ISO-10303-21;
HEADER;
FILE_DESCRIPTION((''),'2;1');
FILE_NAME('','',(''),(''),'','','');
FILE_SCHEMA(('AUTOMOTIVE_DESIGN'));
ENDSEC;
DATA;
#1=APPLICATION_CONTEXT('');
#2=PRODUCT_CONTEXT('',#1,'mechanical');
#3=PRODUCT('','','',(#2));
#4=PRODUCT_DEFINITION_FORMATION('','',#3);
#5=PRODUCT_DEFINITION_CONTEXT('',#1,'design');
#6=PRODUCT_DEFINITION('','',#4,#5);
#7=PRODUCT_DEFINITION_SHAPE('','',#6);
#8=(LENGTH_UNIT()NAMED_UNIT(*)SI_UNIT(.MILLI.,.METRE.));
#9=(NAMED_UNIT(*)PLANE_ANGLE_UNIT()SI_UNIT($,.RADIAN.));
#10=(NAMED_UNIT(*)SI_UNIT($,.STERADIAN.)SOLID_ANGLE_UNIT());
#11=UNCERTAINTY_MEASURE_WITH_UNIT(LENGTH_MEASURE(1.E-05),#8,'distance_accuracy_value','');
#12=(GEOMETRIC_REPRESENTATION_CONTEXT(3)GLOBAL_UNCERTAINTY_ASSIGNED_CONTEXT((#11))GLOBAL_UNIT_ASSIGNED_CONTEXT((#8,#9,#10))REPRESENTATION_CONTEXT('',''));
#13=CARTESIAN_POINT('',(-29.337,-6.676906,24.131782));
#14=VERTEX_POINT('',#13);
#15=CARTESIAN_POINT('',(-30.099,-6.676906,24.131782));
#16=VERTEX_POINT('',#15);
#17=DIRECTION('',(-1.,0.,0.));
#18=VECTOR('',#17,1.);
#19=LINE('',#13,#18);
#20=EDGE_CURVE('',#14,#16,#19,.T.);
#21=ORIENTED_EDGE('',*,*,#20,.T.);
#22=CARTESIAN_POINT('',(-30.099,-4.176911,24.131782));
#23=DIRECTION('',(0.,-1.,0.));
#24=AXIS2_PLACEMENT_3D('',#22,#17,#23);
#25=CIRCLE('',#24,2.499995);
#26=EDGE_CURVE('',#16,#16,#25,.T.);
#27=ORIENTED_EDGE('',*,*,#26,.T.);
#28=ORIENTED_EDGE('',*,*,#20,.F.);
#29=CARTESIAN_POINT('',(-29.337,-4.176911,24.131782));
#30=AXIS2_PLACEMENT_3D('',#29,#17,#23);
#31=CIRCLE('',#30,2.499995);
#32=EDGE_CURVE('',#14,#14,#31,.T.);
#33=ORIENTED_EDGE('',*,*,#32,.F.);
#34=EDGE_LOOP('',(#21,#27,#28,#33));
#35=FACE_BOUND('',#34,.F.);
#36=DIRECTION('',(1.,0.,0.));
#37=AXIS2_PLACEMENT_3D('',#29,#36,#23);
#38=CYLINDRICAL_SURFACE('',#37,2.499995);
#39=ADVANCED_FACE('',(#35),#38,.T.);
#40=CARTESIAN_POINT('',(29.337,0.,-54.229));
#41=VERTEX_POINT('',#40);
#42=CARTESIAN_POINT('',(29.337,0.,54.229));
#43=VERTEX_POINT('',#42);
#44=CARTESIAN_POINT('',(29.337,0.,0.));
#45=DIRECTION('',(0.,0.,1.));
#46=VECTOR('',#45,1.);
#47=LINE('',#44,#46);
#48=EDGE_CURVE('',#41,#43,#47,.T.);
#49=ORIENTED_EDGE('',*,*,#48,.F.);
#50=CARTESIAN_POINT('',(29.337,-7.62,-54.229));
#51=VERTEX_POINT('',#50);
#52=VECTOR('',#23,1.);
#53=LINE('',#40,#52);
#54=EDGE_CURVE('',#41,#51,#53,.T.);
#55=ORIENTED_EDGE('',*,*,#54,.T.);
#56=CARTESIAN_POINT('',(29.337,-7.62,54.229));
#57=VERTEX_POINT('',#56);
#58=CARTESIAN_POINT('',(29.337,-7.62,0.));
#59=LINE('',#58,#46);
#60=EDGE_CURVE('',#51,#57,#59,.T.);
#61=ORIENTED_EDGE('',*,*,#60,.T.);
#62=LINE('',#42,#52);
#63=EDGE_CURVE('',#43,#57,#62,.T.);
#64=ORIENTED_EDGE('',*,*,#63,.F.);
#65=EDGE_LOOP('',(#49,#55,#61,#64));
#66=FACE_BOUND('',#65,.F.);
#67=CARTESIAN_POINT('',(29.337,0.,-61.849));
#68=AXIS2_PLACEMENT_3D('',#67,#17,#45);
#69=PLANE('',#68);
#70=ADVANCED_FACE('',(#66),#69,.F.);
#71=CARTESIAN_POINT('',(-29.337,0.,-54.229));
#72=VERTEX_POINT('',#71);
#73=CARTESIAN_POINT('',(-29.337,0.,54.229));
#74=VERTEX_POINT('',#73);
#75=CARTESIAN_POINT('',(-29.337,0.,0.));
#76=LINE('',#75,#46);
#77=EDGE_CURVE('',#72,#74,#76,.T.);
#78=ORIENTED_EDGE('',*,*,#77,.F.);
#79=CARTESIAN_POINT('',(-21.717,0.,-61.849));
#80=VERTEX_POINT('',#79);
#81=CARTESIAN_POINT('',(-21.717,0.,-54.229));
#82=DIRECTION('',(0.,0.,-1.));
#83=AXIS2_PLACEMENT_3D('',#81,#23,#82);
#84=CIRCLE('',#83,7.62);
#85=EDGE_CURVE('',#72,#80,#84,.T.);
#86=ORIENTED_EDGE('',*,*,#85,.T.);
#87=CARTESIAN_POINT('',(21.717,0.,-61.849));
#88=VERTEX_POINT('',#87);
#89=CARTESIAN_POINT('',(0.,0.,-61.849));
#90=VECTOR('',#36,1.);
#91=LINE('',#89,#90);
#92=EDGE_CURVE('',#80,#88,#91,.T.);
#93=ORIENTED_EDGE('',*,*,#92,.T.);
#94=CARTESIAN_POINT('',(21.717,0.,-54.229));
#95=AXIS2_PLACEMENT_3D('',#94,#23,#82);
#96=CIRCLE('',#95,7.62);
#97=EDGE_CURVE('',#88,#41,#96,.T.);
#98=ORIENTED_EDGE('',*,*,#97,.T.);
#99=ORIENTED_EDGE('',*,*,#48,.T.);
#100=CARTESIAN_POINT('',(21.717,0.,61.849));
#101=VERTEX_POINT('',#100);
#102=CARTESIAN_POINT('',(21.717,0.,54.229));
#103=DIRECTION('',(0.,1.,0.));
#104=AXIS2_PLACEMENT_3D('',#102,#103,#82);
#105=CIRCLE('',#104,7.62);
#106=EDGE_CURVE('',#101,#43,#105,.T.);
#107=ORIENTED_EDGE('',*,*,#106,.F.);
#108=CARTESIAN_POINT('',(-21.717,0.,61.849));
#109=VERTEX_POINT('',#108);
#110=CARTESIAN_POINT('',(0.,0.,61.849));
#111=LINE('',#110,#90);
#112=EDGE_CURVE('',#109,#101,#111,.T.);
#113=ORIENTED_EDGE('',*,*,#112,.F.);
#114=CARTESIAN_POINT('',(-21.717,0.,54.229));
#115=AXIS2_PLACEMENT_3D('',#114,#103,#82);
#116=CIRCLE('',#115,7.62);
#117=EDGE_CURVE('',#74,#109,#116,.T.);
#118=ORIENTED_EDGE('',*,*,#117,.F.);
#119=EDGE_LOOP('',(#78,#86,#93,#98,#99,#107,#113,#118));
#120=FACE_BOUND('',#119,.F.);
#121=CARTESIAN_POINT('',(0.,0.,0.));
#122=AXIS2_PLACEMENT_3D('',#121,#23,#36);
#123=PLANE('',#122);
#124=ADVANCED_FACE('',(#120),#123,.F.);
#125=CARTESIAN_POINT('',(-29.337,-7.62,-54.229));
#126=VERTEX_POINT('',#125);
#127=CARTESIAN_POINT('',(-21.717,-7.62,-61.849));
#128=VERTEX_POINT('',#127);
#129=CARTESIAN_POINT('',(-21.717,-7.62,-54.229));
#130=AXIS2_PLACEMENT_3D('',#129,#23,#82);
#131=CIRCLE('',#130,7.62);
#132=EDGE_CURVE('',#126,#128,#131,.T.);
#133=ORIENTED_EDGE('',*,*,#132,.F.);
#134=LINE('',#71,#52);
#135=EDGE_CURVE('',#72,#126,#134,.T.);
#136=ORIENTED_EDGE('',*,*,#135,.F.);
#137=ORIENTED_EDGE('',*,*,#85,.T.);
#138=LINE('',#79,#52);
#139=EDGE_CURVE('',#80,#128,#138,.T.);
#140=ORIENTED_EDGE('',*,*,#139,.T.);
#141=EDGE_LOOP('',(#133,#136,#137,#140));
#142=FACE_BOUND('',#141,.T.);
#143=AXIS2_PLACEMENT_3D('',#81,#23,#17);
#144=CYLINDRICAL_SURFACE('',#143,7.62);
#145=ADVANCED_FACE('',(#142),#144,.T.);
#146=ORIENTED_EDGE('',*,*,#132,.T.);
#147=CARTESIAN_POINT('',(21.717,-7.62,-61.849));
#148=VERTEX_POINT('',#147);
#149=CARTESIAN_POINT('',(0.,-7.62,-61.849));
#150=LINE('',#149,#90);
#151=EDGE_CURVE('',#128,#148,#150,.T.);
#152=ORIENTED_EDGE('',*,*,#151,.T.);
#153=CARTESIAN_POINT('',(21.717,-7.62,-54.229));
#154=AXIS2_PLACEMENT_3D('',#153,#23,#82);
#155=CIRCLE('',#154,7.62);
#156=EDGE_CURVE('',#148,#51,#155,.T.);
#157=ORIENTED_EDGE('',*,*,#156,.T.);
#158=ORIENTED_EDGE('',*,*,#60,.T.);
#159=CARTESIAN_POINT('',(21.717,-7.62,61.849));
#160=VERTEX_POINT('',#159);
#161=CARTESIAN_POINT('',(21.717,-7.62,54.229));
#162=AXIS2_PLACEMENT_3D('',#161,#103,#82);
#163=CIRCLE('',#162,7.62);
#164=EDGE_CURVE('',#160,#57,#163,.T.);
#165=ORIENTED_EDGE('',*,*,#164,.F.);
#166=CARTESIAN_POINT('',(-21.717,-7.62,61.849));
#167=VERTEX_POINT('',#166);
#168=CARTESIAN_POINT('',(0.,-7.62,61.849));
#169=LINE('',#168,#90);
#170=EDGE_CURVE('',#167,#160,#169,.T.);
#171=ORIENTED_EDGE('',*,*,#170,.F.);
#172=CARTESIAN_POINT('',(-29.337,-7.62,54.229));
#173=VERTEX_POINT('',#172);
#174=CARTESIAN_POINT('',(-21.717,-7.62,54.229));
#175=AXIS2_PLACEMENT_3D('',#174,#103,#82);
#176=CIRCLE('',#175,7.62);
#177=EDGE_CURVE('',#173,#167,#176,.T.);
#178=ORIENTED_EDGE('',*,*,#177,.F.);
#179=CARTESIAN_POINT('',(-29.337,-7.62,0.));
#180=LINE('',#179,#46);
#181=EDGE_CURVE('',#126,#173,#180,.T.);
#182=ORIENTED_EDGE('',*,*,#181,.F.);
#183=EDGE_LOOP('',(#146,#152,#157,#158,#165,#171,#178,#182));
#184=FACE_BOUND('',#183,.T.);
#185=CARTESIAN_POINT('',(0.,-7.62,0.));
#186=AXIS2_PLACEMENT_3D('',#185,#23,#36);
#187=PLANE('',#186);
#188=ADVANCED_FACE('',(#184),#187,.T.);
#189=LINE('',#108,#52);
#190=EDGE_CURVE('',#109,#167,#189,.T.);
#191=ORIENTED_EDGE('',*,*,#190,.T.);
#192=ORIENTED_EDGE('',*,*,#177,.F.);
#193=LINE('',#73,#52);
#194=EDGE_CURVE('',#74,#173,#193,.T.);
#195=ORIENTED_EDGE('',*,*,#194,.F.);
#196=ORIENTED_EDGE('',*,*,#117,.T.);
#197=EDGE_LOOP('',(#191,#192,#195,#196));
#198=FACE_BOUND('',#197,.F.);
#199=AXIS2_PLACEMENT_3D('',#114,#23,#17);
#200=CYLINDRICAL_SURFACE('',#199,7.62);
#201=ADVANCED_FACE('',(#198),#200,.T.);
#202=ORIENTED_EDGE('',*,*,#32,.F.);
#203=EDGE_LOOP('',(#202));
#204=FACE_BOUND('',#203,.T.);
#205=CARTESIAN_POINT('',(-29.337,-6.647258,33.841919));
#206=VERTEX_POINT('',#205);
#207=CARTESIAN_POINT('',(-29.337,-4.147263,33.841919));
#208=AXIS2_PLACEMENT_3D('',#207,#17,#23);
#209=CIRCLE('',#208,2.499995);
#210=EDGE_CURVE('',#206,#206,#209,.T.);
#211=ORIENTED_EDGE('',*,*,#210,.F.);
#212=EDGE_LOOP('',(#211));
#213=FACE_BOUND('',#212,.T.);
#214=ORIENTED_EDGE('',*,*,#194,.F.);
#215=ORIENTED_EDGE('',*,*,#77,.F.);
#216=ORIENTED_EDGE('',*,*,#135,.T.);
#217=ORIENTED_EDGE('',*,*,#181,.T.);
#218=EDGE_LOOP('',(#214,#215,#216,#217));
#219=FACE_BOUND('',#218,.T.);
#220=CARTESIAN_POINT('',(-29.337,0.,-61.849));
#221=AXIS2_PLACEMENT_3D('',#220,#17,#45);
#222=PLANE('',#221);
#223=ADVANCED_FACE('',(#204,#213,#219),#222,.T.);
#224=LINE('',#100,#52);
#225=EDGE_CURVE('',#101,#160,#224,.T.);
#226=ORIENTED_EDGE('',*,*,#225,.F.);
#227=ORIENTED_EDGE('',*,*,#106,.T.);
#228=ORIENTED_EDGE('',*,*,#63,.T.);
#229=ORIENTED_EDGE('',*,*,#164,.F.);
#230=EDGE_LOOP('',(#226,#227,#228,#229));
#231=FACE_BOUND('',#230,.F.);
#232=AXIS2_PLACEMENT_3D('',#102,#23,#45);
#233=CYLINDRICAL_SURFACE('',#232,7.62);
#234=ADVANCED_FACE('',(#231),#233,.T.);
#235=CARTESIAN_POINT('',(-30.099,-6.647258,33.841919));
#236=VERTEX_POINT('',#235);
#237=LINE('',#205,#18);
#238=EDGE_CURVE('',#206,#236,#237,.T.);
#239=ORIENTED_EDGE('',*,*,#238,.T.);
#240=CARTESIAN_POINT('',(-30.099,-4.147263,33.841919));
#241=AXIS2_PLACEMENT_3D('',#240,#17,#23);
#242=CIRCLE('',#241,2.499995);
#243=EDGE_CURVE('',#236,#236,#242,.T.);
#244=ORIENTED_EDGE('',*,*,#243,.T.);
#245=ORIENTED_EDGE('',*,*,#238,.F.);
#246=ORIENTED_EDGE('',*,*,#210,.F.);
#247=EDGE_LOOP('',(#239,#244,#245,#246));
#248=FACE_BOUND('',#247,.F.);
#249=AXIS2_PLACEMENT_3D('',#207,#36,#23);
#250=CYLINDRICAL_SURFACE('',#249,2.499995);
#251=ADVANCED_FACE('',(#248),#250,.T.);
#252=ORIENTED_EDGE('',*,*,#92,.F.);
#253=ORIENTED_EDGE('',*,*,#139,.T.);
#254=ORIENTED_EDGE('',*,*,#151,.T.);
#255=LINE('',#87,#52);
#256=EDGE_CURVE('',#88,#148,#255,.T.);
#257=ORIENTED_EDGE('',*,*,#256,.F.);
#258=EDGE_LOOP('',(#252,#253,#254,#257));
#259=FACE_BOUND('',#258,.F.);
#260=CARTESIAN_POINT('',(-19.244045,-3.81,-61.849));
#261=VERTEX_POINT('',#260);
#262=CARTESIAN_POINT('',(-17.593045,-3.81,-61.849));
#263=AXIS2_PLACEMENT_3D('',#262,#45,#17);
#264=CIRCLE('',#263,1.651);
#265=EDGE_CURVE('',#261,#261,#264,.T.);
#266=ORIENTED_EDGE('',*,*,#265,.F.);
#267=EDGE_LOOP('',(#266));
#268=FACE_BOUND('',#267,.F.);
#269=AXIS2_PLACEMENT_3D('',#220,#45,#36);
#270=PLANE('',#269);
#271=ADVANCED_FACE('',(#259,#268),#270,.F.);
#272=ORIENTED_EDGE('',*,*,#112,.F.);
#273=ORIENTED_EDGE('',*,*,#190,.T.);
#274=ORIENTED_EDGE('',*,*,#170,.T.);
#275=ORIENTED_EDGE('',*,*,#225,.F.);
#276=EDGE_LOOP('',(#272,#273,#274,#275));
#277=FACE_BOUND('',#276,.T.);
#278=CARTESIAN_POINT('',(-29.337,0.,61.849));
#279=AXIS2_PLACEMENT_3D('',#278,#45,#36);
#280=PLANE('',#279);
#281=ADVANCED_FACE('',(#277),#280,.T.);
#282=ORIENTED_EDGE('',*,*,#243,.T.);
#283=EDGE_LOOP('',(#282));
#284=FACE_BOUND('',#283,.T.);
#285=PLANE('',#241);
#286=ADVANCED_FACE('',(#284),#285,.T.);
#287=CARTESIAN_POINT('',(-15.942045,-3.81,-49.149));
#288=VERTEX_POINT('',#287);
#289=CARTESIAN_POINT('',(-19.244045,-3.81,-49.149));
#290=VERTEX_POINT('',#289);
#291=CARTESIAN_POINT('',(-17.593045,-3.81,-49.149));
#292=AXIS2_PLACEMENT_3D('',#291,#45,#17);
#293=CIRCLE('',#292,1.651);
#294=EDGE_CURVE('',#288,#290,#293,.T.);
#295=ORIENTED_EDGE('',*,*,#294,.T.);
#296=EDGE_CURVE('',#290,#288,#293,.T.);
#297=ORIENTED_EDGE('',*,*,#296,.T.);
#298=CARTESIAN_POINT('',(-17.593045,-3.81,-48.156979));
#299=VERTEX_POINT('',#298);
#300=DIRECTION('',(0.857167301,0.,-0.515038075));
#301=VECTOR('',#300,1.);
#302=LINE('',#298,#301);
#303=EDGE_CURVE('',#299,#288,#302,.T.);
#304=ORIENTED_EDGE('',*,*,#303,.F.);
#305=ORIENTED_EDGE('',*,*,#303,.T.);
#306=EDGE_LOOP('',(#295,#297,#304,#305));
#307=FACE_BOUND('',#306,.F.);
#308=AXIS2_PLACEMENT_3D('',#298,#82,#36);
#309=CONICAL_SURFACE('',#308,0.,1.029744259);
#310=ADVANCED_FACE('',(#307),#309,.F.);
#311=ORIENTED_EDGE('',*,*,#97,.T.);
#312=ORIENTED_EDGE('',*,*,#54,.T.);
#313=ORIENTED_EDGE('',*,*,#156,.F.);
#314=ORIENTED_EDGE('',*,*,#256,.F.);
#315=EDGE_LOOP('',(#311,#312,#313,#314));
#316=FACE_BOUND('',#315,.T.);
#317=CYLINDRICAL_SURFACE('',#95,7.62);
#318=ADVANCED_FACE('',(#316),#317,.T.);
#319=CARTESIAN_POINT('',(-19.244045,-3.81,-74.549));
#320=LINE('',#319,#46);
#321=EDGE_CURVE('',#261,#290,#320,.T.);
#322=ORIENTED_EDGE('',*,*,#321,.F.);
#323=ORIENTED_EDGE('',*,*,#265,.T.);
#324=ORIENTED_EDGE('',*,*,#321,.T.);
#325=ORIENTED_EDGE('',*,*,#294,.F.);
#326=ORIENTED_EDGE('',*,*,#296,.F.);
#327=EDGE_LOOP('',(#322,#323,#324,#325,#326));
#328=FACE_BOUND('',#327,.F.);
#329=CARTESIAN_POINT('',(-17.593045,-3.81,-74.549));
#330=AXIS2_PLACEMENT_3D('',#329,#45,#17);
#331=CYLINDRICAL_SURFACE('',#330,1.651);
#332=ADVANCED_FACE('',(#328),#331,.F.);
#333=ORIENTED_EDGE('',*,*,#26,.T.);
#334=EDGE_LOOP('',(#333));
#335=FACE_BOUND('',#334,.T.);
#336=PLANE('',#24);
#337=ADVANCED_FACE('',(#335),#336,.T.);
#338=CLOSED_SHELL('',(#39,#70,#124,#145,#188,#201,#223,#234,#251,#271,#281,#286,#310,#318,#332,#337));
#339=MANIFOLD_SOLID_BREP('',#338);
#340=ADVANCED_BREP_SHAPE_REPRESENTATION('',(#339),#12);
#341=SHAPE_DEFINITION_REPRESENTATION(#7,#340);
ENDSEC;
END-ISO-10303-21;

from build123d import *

# Parameters (mm, degrees)
F0_W      = 58.674
F0_H      = 123.698
F0_W_2    = 51.5999984
F0_H_2    = 90.24999984
F1_DEPTH  = 7.62
F2_DEPTH  = 7.62
F3_R      = 7.62
F4_R      = 2.499995
F5_DEPTH  = 0.762
F6_DEPTH  = 0.762
F4_W      = 3.5058120266
F4_H      = 8.0789849162
F7_DEPTH  = 2.54
F8_R      = 1.867115094
F9_DEPTH  = 11.43
F10_D     = 3.302
F10_DEPTH = 12.7
F10_TIP   = 0.992020882


with BuildPart() as f1:
    # F0 (on Front) → F1 (new body)
    with BuildSketch(Plane.XZ):
        Rectangle(F0_W, F0_H)
        Rectangle(F0_W_2, F0_H_2, mode=Mode.SUBTRACT)
    extrude(amount=F1_DEPTH)

    # F0 (on Front) → F2 (join)
    with BuildSketch(Plane.XZ):
        Rectangle(F0_W_2, F0_H_2)
    extrude(amount=F2_DEPTH)

    # F3
    f3_edges = [f1.edges().sort_by_distance(p)[0] for p in [
        (29.337, -3.81, 61.849),
        (29.337, -3.81, -61.849),
        (-29.337, -3.81, -61.849),
        (-29.337, -3.81, 61.849),
    ]]
    fillet(f3_edges, radius=F3_R)

    # F4 (on face) → F5 (join)
    with BuildSketch(Plane(origin=(-29.337, 0, 0), x_dir=(0, -1, 0), z_dir=(-1, 0, 0))):
        with Locations((4.176910501, 24.1317823529)):
            Circle(F4_R)
    extrude(amount=F5_DEPTH)

    # F4 (on face) → F6 (join)
    with BuildSketch(Plane(origin=(-29.337, 0, 0), x_dir=(0, -1, 0), z_dir=(-1, 0, 0))):
        with Locations((4.1472632438, 33.8419191539)):
            Circle(F4_R)
    extrude(amount=F6_DEPTH)

    # F4 (on face) → F7 (join)
    with BuildSketch(Plane(origin=(-29.337, 0, 0), x_dir=(0, -1, 0), z_dir=(-1, 0, 0))):
        with Locations((4.1351062246, 46.2057814002)):
            Rectangle(F4_W, F4_H)
    extrude(amount=-F7_DEPTH)

    # F8 (on face) → F9 (join)
    with BuildSketch(Plane(origin=(0, 0, -61.849), x_dir=(1, 0, 0), z_dir=(0, 0, -1))):
        with Locations((-17.5930447876, 3.81)):
            Circle(F8_R)
    extrude(amount=-F9_DEPTH)

    # F10
    with Locations(Plane(origin=(0, 0, -61.849), x_dir=(1, 0, 0), z_dir=(0, 0, -1))):
        with Locations((-17.5930447876, 3.81)):
            Hole(F10_D / 2, depth=F10_DEPTH)
            with Locations((0, 0, -(F10_DEPTH + F10_TIP / 2))):  # 118° drill point
                Cone(0, F10_D / 2, F10_TIP, mode=Mode.SUBTRACT)


solid = f1.part
